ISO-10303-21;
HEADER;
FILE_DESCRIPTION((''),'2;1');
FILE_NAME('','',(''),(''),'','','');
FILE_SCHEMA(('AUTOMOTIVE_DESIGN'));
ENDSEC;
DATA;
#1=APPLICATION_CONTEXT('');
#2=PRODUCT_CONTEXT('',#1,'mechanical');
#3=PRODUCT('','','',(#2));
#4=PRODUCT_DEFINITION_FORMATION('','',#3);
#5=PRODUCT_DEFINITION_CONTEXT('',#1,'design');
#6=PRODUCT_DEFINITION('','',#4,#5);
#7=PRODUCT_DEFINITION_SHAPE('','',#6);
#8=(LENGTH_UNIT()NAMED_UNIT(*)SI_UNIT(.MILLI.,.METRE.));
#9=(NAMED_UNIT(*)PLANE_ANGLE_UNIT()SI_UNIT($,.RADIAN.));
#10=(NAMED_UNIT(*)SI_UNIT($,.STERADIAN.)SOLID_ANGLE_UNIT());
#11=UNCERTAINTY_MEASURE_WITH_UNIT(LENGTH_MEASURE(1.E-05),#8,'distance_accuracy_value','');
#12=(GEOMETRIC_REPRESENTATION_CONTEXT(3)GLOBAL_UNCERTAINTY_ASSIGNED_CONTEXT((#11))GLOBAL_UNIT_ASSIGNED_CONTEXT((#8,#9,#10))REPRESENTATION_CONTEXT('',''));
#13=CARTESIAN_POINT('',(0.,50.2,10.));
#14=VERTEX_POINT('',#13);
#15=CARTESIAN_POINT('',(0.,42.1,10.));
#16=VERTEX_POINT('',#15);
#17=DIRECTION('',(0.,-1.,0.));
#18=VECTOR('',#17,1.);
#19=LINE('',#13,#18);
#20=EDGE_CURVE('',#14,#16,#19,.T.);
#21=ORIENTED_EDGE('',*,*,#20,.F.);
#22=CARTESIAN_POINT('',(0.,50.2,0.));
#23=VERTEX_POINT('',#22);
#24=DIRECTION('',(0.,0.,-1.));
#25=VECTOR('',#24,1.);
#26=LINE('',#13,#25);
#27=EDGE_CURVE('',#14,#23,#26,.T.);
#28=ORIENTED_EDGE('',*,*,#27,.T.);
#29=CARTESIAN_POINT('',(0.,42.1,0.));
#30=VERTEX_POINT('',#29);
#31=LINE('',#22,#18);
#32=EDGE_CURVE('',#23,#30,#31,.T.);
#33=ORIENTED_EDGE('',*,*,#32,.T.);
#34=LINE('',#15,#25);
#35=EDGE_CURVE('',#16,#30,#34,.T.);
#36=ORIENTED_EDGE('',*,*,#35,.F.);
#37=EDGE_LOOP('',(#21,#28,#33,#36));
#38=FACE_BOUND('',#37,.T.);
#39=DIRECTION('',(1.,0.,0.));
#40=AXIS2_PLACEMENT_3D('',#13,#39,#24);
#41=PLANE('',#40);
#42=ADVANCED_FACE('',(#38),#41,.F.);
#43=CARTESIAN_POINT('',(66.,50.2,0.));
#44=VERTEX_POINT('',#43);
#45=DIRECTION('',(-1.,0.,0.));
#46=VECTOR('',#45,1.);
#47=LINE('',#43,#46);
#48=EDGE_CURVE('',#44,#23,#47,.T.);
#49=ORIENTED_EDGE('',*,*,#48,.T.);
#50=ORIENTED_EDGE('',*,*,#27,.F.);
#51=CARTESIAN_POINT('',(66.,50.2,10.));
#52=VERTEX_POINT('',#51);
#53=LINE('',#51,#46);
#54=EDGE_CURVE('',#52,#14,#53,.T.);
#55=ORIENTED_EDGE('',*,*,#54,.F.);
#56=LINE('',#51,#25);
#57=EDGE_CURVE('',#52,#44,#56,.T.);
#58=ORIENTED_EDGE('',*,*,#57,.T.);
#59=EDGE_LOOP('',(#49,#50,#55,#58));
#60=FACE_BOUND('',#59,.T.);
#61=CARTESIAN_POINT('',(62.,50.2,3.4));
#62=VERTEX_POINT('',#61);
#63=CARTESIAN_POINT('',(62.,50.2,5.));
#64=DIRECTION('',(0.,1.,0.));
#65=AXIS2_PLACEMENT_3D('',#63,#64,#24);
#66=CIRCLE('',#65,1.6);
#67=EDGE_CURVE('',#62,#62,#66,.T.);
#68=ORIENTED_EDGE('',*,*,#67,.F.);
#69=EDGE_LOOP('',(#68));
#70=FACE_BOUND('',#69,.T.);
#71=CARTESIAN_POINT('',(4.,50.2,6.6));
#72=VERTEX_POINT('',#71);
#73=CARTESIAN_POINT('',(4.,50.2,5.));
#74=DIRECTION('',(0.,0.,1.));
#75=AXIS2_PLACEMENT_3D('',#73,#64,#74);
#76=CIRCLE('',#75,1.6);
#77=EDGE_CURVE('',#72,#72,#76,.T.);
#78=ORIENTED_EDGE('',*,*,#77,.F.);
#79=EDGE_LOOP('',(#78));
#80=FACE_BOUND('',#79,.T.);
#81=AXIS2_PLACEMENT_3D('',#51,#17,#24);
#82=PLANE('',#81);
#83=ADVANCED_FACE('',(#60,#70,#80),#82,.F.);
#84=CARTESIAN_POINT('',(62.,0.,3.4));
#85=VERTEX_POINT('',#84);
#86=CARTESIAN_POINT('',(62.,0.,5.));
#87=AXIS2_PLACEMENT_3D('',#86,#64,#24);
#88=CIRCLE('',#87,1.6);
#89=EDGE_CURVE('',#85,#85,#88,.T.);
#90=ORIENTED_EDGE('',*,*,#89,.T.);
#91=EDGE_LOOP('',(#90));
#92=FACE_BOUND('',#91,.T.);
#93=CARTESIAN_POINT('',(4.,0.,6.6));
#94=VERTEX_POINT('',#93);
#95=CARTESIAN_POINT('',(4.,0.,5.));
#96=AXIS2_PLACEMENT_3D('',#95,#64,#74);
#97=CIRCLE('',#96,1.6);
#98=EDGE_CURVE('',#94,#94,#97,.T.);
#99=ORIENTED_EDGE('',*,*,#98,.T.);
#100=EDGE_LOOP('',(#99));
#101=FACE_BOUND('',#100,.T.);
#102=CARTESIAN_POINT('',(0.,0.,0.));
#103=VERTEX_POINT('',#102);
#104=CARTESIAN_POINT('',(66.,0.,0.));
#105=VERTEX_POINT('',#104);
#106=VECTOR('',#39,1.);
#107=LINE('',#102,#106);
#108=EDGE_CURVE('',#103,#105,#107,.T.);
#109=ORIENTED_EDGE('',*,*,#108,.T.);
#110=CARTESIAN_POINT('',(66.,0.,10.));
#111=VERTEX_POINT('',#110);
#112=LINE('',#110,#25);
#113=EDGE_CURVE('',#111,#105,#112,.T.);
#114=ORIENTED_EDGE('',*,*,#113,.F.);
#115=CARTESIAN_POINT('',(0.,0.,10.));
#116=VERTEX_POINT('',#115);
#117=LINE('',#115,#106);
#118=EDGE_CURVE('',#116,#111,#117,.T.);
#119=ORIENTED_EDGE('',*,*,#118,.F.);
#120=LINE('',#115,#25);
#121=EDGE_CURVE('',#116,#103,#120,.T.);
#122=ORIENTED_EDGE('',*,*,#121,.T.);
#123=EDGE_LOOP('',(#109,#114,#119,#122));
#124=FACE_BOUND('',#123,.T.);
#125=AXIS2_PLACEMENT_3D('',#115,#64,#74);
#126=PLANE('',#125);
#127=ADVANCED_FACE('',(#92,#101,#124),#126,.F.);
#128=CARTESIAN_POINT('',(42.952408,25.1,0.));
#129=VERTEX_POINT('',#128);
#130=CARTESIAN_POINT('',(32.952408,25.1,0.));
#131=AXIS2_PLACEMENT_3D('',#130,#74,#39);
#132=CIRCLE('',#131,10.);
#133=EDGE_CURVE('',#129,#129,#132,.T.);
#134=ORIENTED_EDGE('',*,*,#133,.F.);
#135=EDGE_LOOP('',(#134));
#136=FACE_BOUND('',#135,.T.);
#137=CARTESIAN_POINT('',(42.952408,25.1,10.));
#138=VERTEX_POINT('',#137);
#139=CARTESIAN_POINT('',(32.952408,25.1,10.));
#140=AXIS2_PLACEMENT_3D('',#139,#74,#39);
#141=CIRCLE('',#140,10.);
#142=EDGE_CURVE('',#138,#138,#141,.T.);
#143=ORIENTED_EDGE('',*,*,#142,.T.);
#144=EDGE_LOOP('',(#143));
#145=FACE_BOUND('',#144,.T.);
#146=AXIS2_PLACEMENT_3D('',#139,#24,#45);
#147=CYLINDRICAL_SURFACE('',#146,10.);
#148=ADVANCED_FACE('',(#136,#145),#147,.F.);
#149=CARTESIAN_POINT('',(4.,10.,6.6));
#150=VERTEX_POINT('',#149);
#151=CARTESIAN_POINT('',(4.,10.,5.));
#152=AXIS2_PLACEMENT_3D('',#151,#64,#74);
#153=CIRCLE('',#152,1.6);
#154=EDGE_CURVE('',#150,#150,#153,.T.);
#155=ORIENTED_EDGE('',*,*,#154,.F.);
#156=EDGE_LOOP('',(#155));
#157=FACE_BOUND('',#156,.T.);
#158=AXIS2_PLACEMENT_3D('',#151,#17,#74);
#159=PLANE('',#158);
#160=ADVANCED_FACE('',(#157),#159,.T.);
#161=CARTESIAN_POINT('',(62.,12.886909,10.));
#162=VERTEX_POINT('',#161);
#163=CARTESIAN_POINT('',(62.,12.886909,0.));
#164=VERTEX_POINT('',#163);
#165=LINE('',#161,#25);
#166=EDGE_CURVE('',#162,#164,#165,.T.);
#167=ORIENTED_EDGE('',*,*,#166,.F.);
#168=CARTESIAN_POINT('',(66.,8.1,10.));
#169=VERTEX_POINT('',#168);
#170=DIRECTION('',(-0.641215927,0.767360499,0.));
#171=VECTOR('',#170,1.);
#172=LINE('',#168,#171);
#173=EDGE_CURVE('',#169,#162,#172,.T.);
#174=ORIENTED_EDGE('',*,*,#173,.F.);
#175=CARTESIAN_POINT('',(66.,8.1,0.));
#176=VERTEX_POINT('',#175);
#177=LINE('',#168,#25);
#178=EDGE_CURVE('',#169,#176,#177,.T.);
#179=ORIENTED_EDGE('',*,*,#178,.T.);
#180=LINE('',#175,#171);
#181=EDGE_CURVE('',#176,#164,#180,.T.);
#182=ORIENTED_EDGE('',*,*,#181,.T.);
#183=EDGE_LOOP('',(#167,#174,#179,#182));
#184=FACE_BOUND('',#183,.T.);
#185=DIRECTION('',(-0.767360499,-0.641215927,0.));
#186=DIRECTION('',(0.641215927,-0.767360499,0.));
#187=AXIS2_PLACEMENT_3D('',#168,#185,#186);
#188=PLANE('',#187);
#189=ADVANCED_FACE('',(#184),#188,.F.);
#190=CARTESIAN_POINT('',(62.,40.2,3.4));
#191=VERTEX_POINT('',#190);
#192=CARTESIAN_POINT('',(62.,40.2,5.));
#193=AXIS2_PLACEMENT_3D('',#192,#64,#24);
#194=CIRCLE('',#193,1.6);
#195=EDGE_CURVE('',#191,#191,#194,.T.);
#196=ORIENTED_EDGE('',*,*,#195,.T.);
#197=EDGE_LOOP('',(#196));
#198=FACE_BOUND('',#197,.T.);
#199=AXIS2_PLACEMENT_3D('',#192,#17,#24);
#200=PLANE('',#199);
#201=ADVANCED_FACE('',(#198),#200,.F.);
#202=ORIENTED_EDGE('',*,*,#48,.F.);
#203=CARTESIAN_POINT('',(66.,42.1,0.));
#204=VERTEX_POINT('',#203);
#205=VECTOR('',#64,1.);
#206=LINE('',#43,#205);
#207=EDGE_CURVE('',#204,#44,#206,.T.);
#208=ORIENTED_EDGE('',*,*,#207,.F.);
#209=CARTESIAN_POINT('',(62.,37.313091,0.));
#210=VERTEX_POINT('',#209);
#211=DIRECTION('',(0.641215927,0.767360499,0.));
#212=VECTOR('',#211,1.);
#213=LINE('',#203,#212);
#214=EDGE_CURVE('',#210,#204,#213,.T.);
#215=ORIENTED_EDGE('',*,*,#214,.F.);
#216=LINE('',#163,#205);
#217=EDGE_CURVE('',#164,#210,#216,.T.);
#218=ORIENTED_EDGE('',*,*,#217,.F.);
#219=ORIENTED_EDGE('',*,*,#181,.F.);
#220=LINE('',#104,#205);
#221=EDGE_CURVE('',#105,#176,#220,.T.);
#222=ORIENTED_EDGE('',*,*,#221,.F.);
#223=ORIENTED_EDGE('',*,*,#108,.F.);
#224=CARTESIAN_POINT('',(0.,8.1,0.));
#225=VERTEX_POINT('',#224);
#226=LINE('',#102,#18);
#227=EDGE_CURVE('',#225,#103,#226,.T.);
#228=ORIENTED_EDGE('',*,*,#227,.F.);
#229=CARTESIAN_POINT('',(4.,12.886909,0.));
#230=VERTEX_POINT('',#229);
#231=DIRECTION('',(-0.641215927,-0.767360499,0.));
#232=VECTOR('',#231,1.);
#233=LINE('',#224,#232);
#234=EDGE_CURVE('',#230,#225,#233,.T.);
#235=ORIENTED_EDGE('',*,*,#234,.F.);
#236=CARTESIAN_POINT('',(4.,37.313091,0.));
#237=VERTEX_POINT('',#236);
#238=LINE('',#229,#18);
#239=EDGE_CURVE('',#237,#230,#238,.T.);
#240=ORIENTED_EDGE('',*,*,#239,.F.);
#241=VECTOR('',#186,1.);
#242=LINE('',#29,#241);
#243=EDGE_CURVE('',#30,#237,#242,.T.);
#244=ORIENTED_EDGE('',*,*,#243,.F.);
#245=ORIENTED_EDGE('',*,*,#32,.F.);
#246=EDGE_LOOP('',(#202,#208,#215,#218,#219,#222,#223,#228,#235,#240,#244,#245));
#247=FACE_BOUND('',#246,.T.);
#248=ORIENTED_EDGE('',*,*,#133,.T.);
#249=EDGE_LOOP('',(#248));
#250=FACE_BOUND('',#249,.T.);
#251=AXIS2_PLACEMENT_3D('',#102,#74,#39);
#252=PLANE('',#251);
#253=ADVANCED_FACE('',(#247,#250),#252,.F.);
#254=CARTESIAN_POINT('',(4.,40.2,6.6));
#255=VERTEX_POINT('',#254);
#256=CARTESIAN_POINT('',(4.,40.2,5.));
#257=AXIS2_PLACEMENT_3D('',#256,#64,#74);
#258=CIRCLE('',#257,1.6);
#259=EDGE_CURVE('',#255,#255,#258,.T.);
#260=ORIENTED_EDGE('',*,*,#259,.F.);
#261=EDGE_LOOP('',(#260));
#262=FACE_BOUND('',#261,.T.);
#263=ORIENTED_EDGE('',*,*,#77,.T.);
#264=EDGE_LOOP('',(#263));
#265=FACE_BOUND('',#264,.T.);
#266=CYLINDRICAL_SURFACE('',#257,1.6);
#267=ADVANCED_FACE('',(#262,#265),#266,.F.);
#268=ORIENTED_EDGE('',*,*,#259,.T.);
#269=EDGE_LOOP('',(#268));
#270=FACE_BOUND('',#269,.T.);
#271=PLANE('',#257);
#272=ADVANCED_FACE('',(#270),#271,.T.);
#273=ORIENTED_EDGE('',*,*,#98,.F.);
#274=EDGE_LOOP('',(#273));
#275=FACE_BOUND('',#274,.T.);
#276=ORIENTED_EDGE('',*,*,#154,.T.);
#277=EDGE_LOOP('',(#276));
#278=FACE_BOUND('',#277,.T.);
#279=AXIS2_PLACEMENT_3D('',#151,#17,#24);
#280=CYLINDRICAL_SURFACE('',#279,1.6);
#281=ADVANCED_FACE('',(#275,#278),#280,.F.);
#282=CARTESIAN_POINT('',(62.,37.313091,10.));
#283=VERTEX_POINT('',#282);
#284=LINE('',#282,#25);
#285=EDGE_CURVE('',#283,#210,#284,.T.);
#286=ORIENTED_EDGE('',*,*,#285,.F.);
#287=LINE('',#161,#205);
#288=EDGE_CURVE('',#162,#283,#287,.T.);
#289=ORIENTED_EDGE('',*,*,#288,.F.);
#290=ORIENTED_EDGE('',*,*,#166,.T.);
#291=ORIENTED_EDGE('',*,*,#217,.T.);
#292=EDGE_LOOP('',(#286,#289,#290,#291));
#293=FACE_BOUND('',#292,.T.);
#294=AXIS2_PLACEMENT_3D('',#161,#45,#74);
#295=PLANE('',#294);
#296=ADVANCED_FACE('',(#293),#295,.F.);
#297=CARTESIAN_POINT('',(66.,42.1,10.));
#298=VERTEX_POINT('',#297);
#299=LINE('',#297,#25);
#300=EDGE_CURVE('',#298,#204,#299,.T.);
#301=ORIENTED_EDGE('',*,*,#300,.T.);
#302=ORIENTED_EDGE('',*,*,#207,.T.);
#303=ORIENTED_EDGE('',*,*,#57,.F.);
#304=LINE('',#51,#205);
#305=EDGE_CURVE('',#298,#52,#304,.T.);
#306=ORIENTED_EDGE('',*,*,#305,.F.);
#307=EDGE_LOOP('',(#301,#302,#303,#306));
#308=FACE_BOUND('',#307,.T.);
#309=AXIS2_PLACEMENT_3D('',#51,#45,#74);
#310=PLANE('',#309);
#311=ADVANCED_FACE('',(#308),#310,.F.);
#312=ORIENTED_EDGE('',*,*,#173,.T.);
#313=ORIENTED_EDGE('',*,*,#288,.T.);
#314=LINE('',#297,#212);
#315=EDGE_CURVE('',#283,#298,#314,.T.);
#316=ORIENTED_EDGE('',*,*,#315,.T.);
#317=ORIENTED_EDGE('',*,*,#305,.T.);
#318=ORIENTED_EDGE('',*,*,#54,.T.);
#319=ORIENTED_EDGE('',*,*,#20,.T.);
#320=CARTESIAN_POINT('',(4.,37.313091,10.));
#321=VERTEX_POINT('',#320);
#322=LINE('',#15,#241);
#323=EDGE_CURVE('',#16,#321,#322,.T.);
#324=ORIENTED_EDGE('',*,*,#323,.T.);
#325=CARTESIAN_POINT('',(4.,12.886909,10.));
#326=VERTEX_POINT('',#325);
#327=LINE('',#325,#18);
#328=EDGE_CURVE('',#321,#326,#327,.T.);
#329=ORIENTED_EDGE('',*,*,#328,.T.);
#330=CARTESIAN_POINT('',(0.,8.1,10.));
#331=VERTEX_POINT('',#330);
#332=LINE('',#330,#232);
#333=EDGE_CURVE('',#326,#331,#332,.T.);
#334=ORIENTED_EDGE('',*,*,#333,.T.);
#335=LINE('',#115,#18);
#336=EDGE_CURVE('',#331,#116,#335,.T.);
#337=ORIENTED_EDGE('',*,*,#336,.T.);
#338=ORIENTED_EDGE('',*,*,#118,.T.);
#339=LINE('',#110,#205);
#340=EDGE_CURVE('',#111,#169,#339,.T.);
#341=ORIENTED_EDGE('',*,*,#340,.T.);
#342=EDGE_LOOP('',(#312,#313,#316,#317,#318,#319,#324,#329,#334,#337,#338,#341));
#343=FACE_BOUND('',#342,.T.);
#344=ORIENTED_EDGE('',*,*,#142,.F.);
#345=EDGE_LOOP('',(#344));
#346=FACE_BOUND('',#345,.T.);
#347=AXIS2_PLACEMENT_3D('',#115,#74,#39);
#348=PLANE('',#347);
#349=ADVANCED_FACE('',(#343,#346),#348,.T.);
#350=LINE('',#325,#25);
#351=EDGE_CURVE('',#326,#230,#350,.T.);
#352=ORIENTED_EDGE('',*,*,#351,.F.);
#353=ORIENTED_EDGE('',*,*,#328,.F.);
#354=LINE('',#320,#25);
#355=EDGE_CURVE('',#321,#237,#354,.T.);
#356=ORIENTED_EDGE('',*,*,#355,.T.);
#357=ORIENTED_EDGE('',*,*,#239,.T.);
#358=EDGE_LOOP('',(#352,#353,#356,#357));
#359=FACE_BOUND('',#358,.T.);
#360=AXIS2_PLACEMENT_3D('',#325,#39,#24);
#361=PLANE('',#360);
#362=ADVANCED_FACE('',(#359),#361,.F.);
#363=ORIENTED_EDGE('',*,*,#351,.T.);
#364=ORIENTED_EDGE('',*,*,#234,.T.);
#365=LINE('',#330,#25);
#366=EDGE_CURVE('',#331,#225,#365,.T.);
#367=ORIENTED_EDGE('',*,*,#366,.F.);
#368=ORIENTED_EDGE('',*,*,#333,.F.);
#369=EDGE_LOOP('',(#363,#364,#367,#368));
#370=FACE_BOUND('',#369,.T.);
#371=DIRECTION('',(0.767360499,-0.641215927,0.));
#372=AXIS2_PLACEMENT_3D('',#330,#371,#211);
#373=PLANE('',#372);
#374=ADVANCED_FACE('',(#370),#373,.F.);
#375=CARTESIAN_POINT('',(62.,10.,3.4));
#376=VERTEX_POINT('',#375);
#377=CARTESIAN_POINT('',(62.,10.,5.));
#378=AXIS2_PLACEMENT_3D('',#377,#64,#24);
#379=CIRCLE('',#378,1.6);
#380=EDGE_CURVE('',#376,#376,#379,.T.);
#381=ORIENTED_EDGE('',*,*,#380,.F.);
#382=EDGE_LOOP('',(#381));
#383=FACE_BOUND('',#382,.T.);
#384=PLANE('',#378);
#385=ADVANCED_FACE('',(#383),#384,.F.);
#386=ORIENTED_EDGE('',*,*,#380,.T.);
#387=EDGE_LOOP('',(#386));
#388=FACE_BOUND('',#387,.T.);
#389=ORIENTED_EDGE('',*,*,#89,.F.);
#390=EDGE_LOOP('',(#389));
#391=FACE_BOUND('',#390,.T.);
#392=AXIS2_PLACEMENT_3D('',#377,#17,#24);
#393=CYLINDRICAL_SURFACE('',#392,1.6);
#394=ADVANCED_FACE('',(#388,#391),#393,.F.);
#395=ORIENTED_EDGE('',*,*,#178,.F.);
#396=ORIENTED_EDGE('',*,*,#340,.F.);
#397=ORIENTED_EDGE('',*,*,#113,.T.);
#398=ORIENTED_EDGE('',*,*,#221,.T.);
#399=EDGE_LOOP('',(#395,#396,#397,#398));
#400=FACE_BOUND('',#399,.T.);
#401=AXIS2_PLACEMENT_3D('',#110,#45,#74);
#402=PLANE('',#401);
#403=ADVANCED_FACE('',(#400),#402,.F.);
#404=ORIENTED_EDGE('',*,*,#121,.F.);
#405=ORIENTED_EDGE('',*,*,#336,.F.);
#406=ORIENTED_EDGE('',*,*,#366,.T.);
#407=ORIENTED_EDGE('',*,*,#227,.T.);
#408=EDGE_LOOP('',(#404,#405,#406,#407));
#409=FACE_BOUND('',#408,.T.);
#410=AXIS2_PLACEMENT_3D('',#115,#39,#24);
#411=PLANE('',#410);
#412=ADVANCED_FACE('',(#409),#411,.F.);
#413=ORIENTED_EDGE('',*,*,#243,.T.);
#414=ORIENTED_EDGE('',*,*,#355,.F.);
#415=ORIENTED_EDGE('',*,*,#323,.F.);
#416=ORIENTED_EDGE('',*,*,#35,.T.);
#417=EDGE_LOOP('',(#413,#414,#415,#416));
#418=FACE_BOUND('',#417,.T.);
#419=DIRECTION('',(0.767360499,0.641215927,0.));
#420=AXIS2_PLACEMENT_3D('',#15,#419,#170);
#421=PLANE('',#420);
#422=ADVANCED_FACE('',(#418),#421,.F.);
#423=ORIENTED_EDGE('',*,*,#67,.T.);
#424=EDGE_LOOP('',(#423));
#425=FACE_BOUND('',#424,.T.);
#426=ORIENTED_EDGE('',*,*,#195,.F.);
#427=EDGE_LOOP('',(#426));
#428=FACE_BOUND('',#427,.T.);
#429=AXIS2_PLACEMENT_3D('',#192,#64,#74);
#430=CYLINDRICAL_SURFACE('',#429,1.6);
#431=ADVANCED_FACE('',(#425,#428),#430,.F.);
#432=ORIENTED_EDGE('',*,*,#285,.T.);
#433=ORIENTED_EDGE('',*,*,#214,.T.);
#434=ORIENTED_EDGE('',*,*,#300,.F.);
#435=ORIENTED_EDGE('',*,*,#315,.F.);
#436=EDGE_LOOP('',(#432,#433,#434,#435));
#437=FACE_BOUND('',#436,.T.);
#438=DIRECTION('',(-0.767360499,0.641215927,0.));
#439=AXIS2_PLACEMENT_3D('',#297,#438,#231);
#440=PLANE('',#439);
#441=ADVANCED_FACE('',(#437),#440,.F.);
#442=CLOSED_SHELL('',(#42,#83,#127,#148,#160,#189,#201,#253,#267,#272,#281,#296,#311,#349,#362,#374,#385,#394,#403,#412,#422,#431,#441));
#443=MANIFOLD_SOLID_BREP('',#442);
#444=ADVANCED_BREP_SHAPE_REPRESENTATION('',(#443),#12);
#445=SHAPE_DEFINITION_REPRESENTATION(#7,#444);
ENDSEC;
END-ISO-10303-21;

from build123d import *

# Parameters (mm, degrees)
SZKIC1_R                    = 10
DODANIE_WYCI_GNI_CIE1_DEPTH = 10
SZKIC2_R                    = 1.6
WYTNIJ_WYCI_GNI_CIE1_DEPTH  = 10


with BuildPart() as part:
    # Szkic1 → Dodanie-wyciągnięcie1 (new body)
    with BuildSketch(Plane.XY):
        Polygon((0, 0), (66, 0), (66, 8.1), (62, 12.886908539), (62, 37.313091461), (66, 42.1), (66, 50.2), (0, 50.2), (0, 42.1), (4, 37.313091461), (4, 12.886908539), (0, 8.1), align=None)
        with Locations((32.952408039, 25.1)):
            Circle(SZKIC1_R, mode=Mode.SUBTRACT)
    extrude(amount=DODANIE_WYCI_GNI_CIE1_DEPTH)

    # Szkic2 → Wytnij-wyciągnięcie1 (cut)
    with BuildSketch(Plane(origin=(0, 50.2, 0), x_dir=(1, 0, 0), z_dir=(0, 1, 0))):
        with Locations(Location((4, -5, 0), (0, 0, 270))):
            Circle(SZKIC2_R)
        with Locations(Location((62, -5, 0), (0, 0, 90))):
            Circle(SZKIC2_R)
    wytnij_wyci_gni_cie1 = extrude(amount=-WYTNIJ_WYCI_GNI_CIE1_DEPTH, mode=Mode.SUBTRACT)

    # Lustro1: Wytnij-wyciągnięcie1 across plane
    add(wytnij_wyci_gni_cie1.mirror(Plane.ZX.offset(25.1)), mode=Mode.SUBTRACT)


solid = part.part
